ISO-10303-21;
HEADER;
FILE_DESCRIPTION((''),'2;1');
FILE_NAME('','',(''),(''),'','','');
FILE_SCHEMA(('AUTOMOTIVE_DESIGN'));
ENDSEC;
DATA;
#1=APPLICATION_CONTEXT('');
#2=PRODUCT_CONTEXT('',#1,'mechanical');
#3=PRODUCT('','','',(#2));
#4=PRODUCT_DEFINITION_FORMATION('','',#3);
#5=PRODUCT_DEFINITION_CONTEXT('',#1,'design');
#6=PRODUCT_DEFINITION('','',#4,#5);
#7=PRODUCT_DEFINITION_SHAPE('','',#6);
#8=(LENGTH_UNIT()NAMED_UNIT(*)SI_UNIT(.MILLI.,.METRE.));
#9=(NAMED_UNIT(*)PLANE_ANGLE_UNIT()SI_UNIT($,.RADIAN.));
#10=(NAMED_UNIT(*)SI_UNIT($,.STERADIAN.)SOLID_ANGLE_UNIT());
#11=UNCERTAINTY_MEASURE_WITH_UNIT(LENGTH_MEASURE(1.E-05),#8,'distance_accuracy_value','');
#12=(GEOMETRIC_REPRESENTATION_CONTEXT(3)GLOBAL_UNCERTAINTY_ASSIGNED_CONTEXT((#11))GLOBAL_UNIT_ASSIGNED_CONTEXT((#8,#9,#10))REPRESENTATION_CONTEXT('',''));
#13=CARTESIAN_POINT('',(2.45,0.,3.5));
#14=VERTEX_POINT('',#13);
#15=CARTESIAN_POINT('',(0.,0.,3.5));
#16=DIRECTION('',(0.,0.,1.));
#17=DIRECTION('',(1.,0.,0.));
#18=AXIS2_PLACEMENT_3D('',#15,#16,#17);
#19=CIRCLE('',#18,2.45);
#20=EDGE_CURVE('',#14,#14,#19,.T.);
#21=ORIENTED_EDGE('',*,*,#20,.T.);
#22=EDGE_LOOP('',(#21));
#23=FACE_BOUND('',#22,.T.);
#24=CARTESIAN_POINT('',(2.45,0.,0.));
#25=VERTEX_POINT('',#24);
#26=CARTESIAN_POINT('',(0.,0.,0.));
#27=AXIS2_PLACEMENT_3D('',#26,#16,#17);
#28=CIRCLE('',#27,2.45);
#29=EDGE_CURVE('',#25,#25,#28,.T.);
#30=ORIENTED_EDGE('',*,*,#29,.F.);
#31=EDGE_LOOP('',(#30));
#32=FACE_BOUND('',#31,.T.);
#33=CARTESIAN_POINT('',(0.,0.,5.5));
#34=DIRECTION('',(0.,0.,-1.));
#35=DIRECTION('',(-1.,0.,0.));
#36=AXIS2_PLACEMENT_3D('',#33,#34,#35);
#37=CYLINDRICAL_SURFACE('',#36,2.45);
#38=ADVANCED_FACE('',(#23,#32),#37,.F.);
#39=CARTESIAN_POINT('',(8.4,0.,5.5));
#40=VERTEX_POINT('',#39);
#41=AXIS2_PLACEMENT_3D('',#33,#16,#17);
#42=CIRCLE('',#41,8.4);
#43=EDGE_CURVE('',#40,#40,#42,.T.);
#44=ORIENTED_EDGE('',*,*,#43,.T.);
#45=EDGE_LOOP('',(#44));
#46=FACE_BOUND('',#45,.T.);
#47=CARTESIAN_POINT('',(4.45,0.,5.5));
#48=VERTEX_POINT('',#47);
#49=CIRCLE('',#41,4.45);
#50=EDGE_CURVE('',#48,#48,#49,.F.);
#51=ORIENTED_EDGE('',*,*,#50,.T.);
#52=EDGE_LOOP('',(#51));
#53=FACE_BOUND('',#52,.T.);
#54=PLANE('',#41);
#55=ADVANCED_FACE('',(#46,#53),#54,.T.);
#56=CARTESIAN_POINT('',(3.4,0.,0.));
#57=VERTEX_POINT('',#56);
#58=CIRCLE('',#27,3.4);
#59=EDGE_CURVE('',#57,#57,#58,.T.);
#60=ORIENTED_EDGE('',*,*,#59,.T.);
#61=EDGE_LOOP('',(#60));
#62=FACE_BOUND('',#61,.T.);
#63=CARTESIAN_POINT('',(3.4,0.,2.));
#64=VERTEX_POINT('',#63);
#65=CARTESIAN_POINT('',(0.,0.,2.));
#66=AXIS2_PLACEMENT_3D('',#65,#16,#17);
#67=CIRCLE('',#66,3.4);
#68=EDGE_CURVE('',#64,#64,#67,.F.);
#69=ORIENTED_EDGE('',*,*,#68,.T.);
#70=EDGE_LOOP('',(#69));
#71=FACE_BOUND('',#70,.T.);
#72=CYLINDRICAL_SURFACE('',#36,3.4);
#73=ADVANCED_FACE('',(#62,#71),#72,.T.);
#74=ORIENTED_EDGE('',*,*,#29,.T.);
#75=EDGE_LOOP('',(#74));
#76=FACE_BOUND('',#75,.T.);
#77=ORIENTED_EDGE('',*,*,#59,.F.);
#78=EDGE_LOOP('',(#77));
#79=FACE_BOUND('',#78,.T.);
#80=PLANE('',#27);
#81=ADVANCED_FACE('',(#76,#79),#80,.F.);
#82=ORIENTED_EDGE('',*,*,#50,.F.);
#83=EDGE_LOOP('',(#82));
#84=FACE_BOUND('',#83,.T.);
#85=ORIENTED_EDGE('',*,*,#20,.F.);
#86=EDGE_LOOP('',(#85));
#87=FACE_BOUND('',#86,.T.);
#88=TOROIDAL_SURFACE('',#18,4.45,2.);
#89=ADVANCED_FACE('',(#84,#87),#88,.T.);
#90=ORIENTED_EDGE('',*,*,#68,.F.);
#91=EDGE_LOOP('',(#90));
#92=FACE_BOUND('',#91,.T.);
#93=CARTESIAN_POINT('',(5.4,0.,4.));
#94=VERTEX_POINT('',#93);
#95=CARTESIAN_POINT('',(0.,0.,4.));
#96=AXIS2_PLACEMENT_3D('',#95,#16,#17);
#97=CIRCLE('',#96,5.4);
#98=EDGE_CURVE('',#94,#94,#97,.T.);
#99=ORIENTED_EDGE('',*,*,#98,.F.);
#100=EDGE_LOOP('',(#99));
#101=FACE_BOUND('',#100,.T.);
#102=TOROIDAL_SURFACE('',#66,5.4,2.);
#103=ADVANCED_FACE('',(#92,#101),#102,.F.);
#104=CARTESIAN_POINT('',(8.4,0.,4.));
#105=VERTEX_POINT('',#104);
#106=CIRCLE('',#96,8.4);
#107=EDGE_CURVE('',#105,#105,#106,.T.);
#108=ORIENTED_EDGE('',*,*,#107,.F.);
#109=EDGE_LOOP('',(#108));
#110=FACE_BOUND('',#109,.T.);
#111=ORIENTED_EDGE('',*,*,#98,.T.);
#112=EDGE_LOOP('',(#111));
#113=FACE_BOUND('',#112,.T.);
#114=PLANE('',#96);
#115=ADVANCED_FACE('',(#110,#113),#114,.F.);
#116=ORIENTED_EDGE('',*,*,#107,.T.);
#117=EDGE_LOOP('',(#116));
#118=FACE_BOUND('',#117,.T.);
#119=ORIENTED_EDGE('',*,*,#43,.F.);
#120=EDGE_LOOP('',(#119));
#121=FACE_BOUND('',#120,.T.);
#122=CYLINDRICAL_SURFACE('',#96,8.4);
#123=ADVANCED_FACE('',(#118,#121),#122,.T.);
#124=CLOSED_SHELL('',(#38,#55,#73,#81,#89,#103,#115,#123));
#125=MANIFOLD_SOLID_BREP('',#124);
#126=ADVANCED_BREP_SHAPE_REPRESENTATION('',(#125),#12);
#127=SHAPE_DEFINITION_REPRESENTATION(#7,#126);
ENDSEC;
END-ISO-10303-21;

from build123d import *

# Parameters (mm, degrees)
SKETCH1_R           = 3.4
SKETCH1_R_2         = 2.45
BOSS_EXTRUDE1_DEPTH = 5.5
BOSS_EXTRUDE2_START = -1.5
SKETCH2_R           = 8.4
SKETCH2_R_2         = 3.4
BOSS_EXTRUDE2_DEPTH = 1.5
FILLET1_R           = 2
FILLET2_R           = 2


with BuildPart() as part:
    # Sketch1 → Boss-Extrude1 (new body)
    with BuildSketch(Plane.XY):
        Circle(SKETCH1_R)
        Circle(SKETCH1_R_2, mode=Mode.SUBTRACT)
    extrude(amount=BOSS_EXTRUDE1_DEPTH)

    # Sketch2 → Boss-Extrude2 (add)
    with BuildSketch(Plane.XY.offset(5.5).offset(BOSS_EXTRUDE2_START)):
        Circle(SKETCH2_R)
        Circle(SKETCH2_R_2, mode=Mode.SUBTRACT)
    extrude(amount=BOSS_EXTRUDE2_DEPTH)

    # Fillet1
    fillet1_edges = [part.edges().sort_by_distance(p)[0] for p in [
        (-3.4, 0, 4),
    ]]
    fillet(fillet1_edges, radius=FILLET1_R)

    # Fillet2
    fillet2_edges = [part.edges().sort_by_distance(p)[0] for p in [
        (-2.45, 0, 5.5),
    ]]
    fillet(fillet2_edges, radius=FILLET2_R)


solid = part.part
